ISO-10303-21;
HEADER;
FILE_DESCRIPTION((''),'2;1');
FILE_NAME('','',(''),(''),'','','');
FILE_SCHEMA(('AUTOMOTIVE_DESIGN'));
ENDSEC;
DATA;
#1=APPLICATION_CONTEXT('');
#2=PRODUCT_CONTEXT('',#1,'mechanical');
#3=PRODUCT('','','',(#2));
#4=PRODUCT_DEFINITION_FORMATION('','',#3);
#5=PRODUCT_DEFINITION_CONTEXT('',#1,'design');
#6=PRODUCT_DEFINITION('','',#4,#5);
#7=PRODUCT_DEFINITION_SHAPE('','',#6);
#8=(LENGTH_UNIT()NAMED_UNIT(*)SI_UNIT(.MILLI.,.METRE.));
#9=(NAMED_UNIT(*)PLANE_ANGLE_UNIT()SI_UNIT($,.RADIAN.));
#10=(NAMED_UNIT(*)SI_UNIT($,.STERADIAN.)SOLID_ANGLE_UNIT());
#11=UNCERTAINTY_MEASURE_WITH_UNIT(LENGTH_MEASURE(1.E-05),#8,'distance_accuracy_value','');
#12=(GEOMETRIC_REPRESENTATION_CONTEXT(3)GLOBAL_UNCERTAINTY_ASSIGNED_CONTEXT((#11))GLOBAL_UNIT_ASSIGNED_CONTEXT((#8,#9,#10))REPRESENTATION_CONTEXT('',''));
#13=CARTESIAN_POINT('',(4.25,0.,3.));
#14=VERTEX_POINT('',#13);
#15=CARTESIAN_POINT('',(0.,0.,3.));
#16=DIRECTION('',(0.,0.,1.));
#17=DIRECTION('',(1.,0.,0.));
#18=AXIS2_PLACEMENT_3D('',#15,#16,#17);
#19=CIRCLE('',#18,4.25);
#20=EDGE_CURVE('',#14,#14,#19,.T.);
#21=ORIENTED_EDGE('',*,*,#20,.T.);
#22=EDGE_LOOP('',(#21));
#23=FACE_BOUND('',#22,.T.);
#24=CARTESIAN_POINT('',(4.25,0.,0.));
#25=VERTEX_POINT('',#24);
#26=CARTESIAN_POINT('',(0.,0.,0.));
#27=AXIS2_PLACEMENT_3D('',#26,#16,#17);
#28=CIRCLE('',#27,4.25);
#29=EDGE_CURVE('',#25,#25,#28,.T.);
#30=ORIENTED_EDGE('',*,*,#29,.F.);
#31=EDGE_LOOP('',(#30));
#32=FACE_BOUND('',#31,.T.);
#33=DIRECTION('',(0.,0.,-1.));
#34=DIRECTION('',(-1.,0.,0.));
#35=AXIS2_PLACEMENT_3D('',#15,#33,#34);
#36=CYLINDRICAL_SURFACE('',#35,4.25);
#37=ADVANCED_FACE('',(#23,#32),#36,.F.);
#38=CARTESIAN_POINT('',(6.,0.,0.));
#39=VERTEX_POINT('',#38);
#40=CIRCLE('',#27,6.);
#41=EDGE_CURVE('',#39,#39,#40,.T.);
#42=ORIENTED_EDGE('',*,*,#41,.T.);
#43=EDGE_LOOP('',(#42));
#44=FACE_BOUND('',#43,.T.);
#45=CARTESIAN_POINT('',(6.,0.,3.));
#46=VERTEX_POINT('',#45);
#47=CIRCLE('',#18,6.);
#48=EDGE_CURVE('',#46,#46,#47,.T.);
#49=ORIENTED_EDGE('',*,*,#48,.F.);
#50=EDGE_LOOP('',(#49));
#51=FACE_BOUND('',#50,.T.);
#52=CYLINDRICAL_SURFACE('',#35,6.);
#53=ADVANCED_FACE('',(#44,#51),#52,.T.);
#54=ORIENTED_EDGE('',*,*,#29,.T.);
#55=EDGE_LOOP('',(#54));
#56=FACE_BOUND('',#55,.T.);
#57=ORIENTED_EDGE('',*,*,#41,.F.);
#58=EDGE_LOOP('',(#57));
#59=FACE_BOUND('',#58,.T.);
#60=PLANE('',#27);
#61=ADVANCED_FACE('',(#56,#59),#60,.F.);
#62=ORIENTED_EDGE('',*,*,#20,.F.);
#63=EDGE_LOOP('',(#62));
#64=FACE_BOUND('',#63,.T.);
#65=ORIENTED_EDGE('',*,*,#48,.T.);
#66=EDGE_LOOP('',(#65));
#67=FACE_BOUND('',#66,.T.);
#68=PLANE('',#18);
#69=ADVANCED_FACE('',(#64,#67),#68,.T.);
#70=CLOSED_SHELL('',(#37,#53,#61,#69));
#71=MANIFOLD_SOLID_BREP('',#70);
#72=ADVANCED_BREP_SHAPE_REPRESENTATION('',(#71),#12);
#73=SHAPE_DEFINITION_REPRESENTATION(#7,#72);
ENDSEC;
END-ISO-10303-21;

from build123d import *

# Parameters (mm, degrees)
ESQUISSE1_R        = 6
ESQUISSE1_R_2      = 4.25
BOSS_EXTRU_1_DEPTH = 3


with BuildPart() as part:
    # Esquisse1 → Boss.-Extru.1 (new body)
    with BuildSketch(Plane.XY):
        Circle(ESQUISSE1_R)
        Circle(ESQUISSE1_R_2, mode=Mode.SUBTRACT)
    extrude(amount=BOSS_EXTRU_1_DEPTH)


solid = part.part
